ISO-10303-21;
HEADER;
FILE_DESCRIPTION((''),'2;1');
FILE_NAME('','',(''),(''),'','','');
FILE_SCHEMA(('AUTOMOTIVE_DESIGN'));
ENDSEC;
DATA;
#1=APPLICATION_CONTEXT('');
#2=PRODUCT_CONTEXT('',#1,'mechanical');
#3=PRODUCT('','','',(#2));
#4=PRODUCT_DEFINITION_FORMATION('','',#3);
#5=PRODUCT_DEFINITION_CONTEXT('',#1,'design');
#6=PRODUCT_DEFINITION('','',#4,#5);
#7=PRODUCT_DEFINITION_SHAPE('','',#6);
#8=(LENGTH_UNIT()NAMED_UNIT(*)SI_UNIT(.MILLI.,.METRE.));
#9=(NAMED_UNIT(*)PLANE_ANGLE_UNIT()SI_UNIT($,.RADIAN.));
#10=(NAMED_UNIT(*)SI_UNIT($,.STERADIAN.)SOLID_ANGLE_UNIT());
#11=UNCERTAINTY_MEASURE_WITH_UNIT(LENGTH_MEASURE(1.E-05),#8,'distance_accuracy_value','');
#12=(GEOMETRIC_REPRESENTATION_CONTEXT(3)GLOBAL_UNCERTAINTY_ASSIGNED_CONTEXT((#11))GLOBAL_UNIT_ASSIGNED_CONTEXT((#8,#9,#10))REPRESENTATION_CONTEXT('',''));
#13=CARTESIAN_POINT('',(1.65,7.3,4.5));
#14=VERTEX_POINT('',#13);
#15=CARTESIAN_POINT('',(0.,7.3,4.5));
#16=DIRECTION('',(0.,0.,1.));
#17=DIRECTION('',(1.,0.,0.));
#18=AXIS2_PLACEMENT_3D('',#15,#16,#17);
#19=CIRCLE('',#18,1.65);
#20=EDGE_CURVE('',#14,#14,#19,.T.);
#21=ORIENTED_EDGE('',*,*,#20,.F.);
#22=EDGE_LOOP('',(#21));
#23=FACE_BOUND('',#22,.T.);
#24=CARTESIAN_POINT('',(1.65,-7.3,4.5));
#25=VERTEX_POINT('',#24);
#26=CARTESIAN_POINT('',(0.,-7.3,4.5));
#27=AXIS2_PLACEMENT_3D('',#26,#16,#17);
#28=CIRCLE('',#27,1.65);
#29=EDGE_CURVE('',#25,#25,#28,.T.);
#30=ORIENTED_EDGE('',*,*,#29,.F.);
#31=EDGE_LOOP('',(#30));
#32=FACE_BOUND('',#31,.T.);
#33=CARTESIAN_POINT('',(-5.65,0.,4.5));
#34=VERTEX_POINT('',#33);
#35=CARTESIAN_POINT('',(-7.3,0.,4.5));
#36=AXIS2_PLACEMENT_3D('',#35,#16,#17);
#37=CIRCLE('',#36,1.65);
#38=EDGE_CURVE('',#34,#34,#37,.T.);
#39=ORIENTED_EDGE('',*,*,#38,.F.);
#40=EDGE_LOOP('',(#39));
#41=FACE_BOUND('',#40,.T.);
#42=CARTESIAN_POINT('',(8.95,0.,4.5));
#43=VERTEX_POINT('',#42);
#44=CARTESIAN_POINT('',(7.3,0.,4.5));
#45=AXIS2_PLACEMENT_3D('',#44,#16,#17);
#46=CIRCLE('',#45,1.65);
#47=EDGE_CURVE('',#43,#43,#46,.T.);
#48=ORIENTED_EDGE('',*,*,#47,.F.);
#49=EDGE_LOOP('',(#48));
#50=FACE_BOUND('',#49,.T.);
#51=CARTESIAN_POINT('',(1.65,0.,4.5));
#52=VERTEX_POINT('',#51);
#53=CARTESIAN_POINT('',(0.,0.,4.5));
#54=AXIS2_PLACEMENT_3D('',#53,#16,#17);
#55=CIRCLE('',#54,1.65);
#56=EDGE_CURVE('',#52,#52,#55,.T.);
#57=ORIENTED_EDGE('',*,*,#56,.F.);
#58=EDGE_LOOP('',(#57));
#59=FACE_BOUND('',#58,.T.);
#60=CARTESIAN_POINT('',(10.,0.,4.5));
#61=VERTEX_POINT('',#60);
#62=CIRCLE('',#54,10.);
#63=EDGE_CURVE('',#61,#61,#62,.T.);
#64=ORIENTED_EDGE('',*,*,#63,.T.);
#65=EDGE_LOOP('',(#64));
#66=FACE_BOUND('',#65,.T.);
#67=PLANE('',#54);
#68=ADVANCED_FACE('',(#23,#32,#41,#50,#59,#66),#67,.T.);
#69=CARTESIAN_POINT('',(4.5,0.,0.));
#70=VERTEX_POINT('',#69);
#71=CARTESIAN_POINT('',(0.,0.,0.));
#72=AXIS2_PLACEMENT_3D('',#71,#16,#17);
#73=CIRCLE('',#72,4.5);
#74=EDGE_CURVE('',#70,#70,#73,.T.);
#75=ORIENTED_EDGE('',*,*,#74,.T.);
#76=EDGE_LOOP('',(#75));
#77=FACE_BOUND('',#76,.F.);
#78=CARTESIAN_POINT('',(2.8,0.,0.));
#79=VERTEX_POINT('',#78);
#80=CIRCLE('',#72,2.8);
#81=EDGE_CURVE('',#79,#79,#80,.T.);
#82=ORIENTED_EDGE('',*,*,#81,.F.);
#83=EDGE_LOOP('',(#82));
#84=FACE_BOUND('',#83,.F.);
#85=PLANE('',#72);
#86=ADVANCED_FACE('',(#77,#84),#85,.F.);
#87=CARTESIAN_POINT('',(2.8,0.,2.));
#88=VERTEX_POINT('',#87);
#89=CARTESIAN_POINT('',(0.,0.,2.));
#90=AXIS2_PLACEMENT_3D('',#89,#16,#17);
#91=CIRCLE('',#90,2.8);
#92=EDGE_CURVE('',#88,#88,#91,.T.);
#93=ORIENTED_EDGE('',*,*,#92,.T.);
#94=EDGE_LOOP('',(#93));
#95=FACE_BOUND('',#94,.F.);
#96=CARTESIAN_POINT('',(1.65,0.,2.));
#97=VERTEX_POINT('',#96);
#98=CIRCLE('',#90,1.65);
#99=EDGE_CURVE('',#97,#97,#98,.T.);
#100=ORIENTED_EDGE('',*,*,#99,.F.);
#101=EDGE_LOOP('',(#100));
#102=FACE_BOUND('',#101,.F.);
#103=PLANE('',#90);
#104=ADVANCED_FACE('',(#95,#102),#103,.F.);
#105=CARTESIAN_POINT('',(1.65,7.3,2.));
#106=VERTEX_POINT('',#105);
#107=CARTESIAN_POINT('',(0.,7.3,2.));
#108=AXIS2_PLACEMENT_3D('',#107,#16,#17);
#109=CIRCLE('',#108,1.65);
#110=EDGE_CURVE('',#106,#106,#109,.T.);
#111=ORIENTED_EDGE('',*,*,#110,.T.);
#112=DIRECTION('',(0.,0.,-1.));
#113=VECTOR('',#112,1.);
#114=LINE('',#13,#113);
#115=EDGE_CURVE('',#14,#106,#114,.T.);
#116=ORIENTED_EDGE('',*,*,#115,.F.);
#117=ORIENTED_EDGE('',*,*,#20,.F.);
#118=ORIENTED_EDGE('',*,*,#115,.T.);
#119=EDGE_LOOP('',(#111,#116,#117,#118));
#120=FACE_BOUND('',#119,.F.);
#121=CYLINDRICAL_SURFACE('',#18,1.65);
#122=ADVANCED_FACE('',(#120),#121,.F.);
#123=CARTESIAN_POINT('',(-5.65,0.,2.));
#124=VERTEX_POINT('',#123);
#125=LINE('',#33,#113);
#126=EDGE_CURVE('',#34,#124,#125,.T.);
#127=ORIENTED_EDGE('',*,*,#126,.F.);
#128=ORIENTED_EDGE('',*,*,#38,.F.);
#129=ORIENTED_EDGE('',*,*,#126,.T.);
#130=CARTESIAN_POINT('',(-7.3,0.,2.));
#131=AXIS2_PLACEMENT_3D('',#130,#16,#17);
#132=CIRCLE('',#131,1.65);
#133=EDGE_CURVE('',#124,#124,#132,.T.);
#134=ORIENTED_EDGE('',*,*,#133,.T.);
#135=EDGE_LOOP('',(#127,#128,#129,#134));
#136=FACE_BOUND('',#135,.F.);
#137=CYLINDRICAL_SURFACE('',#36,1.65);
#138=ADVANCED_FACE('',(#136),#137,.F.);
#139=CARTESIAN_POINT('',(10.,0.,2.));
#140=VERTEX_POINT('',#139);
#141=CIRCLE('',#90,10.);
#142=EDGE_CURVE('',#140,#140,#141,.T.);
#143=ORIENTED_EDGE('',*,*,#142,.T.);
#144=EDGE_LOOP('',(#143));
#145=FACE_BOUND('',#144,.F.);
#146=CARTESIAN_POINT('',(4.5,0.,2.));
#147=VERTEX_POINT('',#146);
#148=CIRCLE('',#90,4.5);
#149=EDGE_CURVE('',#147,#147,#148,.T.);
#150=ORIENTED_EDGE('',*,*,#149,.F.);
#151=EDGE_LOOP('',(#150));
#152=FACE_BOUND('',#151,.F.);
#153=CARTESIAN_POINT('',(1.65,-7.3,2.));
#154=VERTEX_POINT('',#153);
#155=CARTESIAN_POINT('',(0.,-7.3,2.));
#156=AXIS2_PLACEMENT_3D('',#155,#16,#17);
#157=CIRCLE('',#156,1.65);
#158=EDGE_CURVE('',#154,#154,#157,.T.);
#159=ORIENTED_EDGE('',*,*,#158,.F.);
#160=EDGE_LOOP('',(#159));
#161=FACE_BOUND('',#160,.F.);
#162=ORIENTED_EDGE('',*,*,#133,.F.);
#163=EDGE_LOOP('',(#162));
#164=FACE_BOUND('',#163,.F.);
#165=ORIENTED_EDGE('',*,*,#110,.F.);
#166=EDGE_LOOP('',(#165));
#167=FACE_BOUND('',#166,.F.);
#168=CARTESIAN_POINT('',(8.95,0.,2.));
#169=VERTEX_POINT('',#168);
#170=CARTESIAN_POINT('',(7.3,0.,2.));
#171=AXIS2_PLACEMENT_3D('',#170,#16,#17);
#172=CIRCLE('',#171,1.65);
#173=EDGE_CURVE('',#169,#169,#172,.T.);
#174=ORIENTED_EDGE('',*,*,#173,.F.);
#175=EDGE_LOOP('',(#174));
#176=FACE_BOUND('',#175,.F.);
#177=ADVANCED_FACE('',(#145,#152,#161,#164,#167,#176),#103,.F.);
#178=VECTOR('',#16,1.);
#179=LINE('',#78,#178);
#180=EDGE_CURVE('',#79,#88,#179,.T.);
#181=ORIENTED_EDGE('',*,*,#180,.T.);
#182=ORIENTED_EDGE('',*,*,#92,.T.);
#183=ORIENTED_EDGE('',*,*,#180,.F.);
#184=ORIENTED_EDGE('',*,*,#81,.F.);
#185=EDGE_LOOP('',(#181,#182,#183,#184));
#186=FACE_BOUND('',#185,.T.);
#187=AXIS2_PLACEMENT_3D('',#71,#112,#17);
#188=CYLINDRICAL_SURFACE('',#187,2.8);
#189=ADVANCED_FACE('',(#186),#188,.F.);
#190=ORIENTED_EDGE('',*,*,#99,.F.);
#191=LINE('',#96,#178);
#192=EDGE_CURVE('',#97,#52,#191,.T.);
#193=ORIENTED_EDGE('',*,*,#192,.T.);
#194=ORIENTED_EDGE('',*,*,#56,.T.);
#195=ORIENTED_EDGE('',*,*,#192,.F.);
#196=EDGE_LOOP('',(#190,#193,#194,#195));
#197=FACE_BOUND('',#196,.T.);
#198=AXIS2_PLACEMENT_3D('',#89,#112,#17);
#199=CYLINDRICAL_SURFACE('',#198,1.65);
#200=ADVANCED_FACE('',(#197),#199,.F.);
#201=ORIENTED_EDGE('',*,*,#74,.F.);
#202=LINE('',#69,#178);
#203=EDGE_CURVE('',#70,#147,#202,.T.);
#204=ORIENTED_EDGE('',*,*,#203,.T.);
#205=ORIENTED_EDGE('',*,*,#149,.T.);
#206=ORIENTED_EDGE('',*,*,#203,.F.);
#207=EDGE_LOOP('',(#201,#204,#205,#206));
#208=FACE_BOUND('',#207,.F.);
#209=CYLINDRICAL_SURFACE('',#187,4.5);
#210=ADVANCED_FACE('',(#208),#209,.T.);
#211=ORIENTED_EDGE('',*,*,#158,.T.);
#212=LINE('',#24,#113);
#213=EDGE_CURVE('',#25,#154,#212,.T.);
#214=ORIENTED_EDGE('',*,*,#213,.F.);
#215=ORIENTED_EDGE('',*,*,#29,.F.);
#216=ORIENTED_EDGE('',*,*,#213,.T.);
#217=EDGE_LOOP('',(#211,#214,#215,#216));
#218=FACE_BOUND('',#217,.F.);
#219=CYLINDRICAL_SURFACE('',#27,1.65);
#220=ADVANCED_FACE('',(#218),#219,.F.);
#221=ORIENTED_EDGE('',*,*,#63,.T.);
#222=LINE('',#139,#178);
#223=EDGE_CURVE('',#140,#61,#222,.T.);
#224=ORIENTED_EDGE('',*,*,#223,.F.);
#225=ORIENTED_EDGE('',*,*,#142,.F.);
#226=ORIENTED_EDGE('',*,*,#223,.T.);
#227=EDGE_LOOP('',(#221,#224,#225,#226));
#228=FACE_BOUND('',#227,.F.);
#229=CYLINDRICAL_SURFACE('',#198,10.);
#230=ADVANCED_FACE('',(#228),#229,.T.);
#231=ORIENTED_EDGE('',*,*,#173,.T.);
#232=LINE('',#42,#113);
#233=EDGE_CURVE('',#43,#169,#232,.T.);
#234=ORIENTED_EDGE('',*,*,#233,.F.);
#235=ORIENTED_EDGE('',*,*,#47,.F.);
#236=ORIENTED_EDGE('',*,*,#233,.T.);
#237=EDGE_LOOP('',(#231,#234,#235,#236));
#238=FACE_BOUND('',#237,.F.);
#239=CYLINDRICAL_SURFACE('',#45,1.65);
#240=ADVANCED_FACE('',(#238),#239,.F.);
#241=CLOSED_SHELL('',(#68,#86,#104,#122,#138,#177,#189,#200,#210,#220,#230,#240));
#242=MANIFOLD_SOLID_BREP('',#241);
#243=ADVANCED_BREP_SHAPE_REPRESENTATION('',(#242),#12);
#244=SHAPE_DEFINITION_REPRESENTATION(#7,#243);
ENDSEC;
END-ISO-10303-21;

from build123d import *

# Parameters (mm, degrees)
SKETCH_R      = 4.5
SKETCH_R_2    = 2.8
PAD_DEPTH     = 2
SKETCH001_R   = 10
SKETCH001_R_2 = 1.65
PAD001_DEPTH  = 2.5
SKETCH002_R   = 1.65
POCKET_DEPTH  = 4.501


with BuildPart() as part:
    # Sketch → Pad (new body)
    with BuildSketch(Plane.XY):
        Circle(SKETCH_R)
        Circle(SKETCH_R_2, mode=Mode.SUBTRACT)
    extrude(amount=PAD_DEPTH)

    # Sketch001 (on Face4 of Pad) → Pad001 (join)
    with BuildSketch(Plane.XY.offset(2)):
        Circle(SKETCH001_R)
        Circle(SKETCH001_R_2, mode=Mode.SUBTRACT)
    extrude(amount=PAD001_DEPTH)

    # Sketch002 (on Face7 of Pad001) → Pocket (cut, through all)
    with BuildSketch(Plane.XY.offset(4.5)):
        with Locations((-7.3, 0)):
            Circle(SKETCH002_R)
        with Locations((0, -7.3)):
            Circle(SKETCH002_R)
        with Locations((0, 7.3)):
            Circle(SKETCH002_R)
        with Locations((7.3, 0)):
            Circle(SKETCH002_R)
    extrude(amount=-POCKET_DEPTH, mode=Mode.SUBTRACT)


solid = part.part
